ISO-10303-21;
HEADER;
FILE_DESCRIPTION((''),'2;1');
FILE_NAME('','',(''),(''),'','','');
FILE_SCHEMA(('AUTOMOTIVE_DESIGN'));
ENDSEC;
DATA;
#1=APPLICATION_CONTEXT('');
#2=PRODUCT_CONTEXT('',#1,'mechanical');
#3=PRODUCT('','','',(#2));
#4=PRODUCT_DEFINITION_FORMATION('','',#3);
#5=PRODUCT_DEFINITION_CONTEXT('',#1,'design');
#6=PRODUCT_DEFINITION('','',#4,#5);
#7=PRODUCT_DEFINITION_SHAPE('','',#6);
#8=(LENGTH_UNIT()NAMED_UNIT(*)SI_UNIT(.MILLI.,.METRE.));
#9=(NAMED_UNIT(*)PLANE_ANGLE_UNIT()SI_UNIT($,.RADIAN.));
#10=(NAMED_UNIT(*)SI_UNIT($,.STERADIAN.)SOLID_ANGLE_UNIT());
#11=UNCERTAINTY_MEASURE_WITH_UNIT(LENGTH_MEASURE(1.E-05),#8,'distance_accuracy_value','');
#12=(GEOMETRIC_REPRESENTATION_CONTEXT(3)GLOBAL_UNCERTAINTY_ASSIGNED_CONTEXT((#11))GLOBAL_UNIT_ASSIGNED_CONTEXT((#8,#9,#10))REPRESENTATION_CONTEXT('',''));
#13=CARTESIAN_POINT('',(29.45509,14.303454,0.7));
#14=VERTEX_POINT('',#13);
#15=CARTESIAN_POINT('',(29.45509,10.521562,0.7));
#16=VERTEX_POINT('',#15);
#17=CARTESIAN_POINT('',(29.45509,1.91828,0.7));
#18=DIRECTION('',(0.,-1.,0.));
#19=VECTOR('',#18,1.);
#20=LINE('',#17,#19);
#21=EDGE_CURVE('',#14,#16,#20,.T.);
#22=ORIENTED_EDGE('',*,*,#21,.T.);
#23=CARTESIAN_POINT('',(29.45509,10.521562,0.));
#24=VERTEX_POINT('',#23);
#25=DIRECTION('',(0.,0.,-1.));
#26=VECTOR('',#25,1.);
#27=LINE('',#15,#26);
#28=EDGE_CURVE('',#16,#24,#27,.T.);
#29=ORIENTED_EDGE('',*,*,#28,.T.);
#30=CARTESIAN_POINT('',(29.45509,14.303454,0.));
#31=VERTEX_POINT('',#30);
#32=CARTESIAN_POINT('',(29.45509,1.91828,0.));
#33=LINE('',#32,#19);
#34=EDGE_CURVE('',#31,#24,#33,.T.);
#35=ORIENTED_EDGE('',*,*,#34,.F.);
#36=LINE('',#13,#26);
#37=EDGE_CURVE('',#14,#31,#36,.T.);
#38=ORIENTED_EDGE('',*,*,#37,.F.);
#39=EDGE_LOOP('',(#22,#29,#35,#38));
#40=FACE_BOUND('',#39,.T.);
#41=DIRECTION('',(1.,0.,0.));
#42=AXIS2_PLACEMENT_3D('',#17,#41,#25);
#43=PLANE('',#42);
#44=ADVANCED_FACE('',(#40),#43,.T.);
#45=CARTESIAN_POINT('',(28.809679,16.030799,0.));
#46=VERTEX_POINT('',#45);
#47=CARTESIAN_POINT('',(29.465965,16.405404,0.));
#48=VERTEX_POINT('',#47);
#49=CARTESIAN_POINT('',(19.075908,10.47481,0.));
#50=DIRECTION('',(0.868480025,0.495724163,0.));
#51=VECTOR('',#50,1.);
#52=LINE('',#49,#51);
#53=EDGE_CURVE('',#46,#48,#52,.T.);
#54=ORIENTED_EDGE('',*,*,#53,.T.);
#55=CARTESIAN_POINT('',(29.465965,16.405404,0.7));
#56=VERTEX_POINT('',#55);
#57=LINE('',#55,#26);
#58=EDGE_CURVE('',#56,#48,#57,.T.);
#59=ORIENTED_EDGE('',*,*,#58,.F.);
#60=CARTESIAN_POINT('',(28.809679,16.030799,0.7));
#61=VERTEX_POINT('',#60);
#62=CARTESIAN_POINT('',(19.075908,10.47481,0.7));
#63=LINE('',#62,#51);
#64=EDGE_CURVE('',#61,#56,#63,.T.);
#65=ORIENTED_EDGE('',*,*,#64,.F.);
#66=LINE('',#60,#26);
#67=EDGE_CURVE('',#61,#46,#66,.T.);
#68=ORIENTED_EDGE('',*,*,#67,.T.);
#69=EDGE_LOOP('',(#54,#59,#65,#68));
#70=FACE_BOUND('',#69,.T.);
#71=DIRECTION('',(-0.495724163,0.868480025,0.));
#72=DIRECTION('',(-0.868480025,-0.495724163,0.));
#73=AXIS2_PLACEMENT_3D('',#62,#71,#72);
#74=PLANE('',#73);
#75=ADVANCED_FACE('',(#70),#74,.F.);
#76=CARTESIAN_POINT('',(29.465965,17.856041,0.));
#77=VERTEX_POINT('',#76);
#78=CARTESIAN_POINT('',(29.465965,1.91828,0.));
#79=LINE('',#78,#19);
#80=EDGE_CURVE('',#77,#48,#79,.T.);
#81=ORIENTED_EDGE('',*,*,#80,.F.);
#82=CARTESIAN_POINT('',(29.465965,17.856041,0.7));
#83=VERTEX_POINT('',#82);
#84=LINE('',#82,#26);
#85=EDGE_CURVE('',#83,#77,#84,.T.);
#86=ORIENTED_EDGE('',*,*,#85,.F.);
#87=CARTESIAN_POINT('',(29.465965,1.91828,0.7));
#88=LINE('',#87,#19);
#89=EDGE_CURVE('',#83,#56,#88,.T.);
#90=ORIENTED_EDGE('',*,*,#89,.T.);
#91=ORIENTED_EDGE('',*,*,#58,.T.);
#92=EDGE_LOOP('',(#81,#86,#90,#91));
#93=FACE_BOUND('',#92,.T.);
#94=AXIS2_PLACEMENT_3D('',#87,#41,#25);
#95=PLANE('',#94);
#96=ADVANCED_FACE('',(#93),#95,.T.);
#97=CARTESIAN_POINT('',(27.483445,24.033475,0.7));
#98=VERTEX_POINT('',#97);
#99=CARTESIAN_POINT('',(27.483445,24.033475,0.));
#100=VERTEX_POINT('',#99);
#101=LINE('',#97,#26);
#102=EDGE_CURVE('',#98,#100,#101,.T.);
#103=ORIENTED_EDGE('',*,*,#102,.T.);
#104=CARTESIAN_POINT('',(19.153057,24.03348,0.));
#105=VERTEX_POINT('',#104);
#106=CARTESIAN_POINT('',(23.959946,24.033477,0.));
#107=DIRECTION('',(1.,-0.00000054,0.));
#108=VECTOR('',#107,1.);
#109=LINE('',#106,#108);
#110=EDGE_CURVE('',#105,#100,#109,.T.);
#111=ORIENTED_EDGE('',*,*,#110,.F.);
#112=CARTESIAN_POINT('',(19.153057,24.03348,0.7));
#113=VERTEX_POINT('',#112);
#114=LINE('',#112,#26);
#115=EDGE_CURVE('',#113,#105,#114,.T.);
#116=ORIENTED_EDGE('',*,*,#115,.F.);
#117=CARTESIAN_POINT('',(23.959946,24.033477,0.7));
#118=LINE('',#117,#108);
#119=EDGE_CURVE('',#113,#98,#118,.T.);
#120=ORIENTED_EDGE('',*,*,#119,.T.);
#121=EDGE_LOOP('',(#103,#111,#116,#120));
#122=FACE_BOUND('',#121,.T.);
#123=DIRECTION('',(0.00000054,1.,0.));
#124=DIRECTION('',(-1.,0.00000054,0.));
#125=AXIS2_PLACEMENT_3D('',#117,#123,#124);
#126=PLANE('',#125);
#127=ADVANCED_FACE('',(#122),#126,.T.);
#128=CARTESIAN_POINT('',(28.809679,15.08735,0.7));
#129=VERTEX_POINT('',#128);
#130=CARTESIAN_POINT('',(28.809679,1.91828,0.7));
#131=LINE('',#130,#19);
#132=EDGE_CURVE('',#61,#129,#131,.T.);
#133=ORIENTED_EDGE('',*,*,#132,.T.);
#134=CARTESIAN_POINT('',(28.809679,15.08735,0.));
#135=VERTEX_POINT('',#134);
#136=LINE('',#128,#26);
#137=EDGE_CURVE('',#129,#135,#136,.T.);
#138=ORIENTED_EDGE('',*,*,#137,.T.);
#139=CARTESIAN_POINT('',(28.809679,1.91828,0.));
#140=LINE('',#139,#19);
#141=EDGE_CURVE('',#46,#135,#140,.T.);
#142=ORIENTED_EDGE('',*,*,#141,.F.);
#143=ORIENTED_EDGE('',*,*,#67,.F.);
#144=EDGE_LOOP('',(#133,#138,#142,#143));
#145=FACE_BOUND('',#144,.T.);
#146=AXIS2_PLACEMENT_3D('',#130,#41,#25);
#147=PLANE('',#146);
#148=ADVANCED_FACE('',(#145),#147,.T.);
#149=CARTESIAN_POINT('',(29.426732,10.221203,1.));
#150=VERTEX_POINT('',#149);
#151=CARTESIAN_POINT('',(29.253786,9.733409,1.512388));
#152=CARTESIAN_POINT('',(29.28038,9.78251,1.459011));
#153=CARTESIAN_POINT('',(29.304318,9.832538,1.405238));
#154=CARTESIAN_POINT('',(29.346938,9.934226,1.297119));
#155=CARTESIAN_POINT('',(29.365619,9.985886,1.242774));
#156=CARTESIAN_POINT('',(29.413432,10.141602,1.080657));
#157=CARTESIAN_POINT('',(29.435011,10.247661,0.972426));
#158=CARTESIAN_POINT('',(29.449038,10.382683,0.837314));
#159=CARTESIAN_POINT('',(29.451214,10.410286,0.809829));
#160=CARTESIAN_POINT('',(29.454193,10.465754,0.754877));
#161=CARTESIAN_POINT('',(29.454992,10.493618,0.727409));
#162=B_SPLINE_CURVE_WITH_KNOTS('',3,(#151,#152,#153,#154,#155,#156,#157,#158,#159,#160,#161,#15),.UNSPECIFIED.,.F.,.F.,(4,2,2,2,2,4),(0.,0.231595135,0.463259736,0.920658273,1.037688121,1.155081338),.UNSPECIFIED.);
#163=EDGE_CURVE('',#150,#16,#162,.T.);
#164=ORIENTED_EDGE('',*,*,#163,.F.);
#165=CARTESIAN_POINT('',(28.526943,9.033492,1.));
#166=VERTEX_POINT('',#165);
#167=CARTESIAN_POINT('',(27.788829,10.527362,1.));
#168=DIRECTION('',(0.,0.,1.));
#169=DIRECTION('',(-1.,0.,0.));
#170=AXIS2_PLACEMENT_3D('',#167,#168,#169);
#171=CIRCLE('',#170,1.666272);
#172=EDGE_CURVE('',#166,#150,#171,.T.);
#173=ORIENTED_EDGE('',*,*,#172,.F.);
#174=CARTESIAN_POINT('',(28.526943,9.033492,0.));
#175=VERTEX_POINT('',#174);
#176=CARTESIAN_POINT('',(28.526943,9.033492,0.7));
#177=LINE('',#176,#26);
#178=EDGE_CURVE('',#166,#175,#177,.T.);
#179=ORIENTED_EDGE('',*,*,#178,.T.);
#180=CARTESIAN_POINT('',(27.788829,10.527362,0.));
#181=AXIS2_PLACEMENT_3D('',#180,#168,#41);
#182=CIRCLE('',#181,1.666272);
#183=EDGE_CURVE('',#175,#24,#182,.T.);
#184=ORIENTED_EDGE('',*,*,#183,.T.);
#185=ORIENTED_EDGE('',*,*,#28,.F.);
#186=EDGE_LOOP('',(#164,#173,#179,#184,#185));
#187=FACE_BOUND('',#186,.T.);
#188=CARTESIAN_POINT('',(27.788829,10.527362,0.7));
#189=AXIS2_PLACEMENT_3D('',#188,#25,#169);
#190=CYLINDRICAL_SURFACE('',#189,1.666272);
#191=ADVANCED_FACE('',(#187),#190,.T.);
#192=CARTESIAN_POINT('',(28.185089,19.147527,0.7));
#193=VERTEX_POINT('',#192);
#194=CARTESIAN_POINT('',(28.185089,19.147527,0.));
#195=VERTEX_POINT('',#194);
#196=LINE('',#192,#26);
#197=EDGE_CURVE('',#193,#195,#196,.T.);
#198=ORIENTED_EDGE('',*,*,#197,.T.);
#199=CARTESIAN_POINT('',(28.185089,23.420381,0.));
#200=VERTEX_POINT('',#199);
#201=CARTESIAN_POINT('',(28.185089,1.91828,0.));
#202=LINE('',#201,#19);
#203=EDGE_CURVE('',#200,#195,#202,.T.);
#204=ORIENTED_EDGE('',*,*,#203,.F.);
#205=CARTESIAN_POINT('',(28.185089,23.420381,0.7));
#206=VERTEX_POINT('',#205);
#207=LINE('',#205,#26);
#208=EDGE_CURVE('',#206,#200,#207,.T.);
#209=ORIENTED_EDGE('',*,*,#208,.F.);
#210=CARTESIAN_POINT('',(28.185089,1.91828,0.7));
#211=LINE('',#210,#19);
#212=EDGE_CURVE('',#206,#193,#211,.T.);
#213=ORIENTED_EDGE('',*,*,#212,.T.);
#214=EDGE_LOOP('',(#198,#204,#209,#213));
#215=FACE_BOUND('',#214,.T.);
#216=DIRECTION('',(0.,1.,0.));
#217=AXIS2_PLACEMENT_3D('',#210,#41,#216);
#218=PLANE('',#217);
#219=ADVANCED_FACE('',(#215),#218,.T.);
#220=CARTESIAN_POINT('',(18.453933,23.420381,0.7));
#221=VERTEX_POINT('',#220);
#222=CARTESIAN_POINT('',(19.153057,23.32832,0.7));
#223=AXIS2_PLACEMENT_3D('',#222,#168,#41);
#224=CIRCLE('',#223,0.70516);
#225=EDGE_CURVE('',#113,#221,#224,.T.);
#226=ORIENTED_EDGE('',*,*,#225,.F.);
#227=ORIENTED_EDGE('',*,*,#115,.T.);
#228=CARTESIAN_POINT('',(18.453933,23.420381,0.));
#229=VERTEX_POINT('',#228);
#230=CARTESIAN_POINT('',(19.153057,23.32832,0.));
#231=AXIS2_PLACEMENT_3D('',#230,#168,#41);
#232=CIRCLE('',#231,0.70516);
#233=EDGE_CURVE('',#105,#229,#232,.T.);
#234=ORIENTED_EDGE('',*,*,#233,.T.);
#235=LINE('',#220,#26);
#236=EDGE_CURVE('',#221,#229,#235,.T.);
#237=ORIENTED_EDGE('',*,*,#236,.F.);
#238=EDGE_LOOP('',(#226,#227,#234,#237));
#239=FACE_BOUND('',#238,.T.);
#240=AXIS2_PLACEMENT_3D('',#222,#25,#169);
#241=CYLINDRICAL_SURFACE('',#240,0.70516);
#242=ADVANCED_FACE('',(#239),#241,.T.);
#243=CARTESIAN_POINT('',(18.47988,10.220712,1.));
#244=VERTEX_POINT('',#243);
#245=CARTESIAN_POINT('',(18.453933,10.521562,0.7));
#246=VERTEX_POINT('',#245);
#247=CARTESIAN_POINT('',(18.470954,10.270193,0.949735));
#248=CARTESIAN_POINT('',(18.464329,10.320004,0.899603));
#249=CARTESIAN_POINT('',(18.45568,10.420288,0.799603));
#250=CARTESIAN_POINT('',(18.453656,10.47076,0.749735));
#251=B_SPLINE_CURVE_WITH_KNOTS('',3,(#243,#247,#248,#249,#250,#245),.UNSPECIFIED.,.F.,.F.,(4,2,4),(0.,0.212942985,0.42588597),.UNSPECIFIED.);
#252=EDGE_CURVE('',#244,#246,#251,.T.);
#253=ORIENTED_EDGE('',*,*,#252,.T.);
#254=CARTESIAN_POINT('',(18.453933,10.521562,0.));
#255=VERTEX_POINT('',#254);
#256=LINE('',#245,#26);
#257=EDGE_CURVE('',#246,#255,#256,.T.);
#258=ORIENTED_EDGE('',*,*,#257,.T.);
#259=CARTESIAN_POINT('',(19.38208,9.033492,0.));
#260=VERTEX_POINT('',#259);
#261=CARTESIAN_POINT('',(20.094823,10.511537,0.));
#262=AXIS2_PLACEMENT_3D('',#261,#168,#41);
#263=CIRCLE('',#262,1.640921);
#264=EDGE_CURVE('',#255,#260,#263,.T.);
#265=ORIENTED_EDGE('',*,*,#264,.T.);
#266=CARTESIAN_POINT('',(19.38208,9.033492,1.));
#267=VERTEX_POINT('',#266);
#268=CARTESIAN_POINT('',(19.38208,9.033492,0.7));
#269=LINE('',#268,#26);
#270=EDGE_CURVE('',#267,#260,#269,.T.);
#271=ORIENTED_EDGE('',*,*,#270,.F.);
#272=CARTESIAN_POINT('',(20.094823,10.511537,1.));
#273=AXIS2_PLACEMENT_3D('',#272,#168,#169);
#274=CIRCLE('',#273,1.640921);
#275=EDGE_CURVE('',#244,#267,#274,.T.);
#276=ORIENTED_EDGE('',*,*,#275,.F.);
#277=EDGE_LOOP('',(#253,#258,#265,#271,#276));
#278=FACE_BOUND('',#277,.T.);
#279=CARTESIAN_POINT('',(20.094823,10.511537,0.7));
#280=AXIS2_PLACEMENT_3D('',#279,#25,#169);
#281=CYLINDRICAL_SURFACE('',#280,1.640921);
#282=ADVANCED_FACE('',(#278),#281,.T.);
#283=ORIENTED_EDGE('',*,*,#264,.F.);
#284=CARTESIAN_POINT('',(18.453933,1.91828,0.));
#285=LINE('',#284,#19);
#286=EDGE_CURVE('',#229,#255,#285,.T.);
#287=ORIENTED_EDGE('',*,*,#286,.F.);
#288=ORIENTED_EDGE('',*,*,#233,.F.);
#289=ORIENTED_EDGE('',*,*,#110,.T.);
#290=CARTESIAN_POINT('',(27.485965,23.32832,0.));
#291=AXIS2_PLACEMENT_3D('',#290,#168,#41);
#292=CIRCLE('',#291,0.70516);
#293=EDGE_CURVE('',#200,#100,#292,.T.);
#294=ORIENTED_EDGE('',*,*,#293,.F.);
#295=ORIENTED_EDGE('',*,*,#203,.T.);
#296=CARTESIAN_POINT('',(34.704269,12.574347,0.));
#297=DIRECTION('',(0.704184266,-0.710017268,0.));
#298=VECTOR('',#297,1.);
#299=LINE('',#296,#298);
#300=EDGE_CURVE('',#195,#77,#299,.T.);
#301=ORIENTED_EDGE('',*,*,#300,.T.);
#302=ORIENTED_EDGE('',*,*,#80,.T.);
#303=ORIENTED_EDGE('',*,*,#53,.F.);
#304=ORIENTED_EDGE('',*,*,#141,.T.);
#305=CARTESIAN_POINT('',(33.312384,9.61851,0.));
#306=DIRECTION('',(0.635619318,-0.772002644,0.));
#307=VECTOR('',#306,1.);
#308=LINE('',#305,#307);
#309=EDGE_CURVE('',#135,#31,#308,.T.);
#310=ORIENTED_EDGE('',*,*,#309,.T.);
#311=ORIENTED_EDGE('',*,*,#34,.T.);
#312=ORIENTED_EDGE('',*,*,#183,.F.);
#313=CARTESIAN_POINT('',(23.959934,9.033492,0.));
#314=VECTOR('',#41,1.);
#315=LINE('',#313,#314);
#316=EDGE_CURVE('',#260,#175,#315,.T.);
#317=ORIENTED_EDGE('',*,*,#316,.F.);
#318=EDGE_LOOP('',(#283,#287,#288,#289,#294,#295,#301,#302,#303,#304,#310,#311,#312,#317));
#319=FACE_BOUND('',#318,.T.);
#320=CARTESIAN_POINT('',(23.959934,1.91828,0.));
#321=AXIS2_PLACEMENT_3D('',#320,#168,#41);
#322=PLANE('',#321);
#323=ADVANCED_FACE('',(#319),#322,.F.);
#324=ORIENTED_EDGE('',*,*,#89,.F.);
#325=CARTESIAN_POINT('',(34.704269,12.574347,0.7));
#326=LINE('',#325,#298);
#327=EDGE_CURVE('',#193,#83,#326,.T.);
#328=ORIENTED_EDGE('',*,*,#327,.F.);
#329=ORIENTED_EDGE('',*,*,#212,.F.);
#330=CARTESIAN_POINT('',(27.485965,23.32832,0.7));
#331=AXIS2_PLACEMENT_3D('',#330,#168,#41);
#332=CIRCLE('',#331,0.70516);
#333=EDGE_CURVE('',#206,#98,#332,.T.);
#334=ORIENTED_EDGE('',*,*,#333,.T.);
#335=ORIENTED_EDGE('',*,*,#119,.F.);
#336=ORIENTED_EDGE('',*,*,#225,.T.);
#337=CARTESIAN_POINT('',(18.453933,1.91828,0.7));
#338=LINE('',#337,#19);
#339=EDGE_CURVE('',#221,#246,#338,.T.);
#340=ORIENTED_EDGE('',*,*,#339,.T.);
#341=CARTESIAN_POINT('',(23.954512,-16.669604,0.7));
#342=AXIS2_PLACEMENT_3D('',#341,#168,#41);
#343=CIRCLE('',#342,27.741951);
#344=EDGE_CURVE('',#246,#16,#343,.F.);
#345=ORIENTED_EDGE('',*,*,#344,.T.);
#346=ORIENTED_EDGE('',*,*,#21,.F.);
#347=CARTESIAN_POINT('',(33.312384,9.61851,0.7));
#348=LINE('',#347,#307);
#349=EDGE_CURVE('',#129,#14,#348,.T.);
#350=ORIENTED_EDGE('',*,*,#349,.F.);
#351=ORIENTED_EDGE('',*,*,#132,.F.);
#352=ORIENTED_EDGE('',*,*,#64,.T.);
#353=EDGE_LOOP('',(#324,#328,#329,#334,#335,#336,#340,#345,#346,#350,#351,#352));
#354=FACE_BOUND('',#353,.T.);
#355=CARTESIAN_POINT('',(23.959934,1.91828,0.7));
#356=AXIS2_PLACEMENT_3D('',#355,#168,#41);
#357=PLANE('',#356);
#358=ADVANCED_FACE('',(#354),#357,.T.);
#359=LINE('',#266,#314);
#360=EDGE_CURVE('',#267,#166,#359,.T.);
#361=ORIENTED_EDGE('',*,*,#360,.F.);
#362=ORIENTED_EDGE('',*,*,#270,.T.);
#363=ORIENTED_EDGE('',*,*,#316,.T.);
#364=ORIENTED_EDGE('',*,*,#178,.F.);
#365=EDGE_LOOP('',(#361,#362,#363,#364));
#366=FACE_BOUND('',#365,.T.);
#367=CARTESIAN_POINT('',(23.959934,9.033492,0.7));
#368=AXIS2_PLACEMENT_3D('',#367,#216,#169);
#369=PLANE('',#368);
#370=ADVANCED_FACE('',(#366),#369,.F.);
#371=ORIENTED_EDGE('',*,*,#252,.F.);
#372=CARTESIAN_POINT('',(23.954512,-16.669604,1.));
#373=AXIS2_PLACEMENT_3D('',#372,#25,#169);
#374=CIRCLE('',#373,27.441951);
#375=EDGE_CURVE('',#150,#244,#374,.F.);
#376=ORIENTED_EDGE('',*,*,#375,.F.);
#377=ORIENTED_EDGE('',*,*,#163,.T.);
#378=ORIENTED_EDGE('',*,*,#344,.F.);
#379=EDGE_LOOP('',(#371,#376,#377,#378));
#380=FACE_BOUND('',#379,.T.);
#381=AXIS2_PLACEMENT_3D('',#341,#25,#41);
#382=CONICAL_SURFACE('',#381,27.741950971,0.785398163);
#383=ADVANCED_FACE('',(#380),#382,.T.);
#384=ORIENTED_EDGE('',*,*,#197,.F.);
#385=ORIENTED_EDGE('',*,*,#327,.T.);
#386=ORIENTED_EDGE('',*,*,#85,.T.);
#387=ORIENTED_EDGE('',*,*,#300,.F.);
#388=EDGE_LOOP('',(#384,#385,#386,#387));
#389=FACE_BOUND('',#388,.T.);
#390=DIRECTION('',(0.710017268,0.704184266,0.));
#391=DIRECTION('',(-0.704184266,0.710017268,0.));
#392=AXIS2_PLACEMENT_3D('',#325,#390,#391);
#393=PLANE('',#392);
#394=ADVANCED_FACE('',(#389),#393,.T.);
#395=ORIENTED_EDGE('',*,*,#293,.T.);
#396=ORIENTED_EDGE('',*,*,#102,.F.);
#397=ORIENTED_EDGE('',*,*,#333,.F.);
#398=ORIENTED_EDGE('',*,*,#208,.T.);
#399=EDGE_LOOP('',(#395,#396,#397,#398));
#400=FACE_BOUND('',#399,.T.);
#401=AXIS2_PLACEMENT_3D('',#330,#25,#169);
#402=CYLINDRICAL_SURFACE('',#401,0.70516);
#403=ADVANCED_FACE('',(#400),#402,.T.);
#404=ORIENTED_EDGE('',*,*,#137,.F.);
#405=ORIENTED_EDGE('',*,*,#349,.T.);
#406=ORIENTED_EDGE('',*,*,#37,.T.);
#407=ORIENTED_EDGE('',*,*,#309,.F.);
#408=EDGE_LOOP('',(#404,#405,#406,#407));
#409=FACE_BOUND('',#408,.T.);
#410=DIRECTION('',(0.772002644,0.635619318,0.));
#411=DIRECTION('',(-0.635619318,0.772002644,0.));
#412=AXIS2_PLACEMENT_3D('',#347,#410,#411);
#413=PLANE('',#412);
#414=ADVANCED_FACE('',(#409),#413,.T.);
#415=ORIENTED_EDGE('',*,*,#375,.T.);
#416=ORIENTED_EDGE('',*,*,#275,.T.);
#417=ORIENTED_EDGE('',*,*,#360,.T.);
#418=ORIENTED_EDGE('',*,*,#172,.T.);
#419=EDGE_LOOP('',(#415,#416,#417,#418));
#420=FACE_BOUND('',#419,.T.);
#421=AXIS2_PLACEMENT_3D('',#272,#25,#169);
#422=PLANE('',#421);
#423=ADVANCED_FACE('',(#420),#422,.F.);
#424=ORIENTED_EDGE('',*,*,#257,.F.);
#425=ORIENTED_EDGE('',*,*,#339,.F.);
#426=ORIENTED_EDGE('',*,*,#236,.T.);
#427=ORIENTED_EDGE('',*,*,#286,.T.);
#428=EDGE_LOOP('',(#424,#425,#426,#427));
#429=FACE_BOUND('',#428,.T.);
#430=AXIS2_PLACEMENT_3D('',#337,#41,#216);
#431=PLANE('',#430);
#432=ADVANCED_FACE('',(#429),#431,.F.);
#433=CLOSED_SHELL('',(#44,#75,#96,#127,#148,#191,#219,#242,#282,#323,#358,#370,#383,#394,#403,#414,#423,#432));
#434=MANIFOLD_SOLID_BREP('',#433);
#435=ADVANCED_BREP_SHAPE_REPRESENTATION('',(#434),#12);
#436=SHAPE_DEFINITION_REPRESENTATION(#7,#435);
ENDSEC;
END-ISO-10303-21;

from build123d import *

# Parameters (mm, degrees)
EXTRUDE1_DEPTH = 0.7
EXTRUDE2_DEPTH = 1
DRAFT1_ANGLE   = 45


with BuildPart() as part:
    # Sketch1 → Extrude1 (new body)
    with BuildSketch(Plane.XY):
        with BuildLine():
            Line((19.155576725, 24.033479545), (19.153057259, 24.033479546))
            ThreePointArc((19.153057259, 24.033479546), (18.688120429, 23.858493389), (18.453932737, 23.42038092))
            Line((18.453932737, 23.42038092), (18.453932737, 10.52156184))
            ThreePointArc((18.453932737, 10.52156184), (23.954511515, 11.07234739), (29.455090293, 10.52156184))
            Line((29.455090293, 10.52156184), (29.455090293, 14.303453829))
            Line((29.455090293, 14.303453829), (28.809678981, 15.087349513))
            Line((28.809678981, 15.087349513), (28.809678981, 16.030799168))
            Line((28.809678981, 16.030799168), (29.465965334, 16.405404217))
            Line((29.465965334, 16.405404217), (29.465965334, 17.856041137))
            Line((29.465965334, 17.856041137), (28.185089103, 19.147527308))
            Line((28.185089103, 19.147527308), (28.185089103, 23.42038092))
            ThreePointArc((28.185089103, 23.42038092), (27.949953539, 23.859323131), (27.483445115, 24.033475046))
            Line((27.483445115, 24.033475046), (19.155576725, 24.033479545))
        make_face()
        with BuildLine():
            Line((19.382079549, 9.033491555), (28.526943481, 9.033491554))
            ThreePointArc((28.526943481, 9.033491554), (29.202633724, 9.645535961), (29.455090293, 10.52156184))
            ThreePointArc((29.455090293, 10.52156184), (23.954511515, 11.07234739), (18.453932737, 10.52156184))
            ThreePointArc((18.453932737, 10.52156184), (18.702527644, 9.643127345), (19.382079549, 9.033491555))
        make_face()
    extrude(amount=EXTRUDE1_DEPTH)

    # Sketch2 → Extrude2 (add)
    with BuildSketch(Plane.XY):
        with BuildLine():
            Line((19.382079549, 9.033491555), (28.526943481, 9.033491554))
            ThreePointArc((28.526943481, 9.033491554), (29.202633724, 9.645535961), (29.455090293, 10.52156184))
            ThreePointArc((29.455090293, 10.52156184), (23.954511515, 11.072347393), (18.453932737, 10.52156184))
            ThreePointArc((18.453932737, 10.52156184), (18.702527644, 9.643127345), (19.382079549, 9.033491555))
        make_face()
    extrude(amount=EXTRUDE2_DEPTH)

    # Draft1
    draft1_faces = [part.faces().sort_by_distance(p)[0] for p in [
        (23.954511515, 11.072347393, 0.85),
    ]]
    draft(draft1_faces, Plane(origin=(23.959933723, 1.918279908, 0.7), x_dir=(1, 0, 0), z_dir=(0, 0, 1)), DRAFT1_ANGLE)


solid = part.part
